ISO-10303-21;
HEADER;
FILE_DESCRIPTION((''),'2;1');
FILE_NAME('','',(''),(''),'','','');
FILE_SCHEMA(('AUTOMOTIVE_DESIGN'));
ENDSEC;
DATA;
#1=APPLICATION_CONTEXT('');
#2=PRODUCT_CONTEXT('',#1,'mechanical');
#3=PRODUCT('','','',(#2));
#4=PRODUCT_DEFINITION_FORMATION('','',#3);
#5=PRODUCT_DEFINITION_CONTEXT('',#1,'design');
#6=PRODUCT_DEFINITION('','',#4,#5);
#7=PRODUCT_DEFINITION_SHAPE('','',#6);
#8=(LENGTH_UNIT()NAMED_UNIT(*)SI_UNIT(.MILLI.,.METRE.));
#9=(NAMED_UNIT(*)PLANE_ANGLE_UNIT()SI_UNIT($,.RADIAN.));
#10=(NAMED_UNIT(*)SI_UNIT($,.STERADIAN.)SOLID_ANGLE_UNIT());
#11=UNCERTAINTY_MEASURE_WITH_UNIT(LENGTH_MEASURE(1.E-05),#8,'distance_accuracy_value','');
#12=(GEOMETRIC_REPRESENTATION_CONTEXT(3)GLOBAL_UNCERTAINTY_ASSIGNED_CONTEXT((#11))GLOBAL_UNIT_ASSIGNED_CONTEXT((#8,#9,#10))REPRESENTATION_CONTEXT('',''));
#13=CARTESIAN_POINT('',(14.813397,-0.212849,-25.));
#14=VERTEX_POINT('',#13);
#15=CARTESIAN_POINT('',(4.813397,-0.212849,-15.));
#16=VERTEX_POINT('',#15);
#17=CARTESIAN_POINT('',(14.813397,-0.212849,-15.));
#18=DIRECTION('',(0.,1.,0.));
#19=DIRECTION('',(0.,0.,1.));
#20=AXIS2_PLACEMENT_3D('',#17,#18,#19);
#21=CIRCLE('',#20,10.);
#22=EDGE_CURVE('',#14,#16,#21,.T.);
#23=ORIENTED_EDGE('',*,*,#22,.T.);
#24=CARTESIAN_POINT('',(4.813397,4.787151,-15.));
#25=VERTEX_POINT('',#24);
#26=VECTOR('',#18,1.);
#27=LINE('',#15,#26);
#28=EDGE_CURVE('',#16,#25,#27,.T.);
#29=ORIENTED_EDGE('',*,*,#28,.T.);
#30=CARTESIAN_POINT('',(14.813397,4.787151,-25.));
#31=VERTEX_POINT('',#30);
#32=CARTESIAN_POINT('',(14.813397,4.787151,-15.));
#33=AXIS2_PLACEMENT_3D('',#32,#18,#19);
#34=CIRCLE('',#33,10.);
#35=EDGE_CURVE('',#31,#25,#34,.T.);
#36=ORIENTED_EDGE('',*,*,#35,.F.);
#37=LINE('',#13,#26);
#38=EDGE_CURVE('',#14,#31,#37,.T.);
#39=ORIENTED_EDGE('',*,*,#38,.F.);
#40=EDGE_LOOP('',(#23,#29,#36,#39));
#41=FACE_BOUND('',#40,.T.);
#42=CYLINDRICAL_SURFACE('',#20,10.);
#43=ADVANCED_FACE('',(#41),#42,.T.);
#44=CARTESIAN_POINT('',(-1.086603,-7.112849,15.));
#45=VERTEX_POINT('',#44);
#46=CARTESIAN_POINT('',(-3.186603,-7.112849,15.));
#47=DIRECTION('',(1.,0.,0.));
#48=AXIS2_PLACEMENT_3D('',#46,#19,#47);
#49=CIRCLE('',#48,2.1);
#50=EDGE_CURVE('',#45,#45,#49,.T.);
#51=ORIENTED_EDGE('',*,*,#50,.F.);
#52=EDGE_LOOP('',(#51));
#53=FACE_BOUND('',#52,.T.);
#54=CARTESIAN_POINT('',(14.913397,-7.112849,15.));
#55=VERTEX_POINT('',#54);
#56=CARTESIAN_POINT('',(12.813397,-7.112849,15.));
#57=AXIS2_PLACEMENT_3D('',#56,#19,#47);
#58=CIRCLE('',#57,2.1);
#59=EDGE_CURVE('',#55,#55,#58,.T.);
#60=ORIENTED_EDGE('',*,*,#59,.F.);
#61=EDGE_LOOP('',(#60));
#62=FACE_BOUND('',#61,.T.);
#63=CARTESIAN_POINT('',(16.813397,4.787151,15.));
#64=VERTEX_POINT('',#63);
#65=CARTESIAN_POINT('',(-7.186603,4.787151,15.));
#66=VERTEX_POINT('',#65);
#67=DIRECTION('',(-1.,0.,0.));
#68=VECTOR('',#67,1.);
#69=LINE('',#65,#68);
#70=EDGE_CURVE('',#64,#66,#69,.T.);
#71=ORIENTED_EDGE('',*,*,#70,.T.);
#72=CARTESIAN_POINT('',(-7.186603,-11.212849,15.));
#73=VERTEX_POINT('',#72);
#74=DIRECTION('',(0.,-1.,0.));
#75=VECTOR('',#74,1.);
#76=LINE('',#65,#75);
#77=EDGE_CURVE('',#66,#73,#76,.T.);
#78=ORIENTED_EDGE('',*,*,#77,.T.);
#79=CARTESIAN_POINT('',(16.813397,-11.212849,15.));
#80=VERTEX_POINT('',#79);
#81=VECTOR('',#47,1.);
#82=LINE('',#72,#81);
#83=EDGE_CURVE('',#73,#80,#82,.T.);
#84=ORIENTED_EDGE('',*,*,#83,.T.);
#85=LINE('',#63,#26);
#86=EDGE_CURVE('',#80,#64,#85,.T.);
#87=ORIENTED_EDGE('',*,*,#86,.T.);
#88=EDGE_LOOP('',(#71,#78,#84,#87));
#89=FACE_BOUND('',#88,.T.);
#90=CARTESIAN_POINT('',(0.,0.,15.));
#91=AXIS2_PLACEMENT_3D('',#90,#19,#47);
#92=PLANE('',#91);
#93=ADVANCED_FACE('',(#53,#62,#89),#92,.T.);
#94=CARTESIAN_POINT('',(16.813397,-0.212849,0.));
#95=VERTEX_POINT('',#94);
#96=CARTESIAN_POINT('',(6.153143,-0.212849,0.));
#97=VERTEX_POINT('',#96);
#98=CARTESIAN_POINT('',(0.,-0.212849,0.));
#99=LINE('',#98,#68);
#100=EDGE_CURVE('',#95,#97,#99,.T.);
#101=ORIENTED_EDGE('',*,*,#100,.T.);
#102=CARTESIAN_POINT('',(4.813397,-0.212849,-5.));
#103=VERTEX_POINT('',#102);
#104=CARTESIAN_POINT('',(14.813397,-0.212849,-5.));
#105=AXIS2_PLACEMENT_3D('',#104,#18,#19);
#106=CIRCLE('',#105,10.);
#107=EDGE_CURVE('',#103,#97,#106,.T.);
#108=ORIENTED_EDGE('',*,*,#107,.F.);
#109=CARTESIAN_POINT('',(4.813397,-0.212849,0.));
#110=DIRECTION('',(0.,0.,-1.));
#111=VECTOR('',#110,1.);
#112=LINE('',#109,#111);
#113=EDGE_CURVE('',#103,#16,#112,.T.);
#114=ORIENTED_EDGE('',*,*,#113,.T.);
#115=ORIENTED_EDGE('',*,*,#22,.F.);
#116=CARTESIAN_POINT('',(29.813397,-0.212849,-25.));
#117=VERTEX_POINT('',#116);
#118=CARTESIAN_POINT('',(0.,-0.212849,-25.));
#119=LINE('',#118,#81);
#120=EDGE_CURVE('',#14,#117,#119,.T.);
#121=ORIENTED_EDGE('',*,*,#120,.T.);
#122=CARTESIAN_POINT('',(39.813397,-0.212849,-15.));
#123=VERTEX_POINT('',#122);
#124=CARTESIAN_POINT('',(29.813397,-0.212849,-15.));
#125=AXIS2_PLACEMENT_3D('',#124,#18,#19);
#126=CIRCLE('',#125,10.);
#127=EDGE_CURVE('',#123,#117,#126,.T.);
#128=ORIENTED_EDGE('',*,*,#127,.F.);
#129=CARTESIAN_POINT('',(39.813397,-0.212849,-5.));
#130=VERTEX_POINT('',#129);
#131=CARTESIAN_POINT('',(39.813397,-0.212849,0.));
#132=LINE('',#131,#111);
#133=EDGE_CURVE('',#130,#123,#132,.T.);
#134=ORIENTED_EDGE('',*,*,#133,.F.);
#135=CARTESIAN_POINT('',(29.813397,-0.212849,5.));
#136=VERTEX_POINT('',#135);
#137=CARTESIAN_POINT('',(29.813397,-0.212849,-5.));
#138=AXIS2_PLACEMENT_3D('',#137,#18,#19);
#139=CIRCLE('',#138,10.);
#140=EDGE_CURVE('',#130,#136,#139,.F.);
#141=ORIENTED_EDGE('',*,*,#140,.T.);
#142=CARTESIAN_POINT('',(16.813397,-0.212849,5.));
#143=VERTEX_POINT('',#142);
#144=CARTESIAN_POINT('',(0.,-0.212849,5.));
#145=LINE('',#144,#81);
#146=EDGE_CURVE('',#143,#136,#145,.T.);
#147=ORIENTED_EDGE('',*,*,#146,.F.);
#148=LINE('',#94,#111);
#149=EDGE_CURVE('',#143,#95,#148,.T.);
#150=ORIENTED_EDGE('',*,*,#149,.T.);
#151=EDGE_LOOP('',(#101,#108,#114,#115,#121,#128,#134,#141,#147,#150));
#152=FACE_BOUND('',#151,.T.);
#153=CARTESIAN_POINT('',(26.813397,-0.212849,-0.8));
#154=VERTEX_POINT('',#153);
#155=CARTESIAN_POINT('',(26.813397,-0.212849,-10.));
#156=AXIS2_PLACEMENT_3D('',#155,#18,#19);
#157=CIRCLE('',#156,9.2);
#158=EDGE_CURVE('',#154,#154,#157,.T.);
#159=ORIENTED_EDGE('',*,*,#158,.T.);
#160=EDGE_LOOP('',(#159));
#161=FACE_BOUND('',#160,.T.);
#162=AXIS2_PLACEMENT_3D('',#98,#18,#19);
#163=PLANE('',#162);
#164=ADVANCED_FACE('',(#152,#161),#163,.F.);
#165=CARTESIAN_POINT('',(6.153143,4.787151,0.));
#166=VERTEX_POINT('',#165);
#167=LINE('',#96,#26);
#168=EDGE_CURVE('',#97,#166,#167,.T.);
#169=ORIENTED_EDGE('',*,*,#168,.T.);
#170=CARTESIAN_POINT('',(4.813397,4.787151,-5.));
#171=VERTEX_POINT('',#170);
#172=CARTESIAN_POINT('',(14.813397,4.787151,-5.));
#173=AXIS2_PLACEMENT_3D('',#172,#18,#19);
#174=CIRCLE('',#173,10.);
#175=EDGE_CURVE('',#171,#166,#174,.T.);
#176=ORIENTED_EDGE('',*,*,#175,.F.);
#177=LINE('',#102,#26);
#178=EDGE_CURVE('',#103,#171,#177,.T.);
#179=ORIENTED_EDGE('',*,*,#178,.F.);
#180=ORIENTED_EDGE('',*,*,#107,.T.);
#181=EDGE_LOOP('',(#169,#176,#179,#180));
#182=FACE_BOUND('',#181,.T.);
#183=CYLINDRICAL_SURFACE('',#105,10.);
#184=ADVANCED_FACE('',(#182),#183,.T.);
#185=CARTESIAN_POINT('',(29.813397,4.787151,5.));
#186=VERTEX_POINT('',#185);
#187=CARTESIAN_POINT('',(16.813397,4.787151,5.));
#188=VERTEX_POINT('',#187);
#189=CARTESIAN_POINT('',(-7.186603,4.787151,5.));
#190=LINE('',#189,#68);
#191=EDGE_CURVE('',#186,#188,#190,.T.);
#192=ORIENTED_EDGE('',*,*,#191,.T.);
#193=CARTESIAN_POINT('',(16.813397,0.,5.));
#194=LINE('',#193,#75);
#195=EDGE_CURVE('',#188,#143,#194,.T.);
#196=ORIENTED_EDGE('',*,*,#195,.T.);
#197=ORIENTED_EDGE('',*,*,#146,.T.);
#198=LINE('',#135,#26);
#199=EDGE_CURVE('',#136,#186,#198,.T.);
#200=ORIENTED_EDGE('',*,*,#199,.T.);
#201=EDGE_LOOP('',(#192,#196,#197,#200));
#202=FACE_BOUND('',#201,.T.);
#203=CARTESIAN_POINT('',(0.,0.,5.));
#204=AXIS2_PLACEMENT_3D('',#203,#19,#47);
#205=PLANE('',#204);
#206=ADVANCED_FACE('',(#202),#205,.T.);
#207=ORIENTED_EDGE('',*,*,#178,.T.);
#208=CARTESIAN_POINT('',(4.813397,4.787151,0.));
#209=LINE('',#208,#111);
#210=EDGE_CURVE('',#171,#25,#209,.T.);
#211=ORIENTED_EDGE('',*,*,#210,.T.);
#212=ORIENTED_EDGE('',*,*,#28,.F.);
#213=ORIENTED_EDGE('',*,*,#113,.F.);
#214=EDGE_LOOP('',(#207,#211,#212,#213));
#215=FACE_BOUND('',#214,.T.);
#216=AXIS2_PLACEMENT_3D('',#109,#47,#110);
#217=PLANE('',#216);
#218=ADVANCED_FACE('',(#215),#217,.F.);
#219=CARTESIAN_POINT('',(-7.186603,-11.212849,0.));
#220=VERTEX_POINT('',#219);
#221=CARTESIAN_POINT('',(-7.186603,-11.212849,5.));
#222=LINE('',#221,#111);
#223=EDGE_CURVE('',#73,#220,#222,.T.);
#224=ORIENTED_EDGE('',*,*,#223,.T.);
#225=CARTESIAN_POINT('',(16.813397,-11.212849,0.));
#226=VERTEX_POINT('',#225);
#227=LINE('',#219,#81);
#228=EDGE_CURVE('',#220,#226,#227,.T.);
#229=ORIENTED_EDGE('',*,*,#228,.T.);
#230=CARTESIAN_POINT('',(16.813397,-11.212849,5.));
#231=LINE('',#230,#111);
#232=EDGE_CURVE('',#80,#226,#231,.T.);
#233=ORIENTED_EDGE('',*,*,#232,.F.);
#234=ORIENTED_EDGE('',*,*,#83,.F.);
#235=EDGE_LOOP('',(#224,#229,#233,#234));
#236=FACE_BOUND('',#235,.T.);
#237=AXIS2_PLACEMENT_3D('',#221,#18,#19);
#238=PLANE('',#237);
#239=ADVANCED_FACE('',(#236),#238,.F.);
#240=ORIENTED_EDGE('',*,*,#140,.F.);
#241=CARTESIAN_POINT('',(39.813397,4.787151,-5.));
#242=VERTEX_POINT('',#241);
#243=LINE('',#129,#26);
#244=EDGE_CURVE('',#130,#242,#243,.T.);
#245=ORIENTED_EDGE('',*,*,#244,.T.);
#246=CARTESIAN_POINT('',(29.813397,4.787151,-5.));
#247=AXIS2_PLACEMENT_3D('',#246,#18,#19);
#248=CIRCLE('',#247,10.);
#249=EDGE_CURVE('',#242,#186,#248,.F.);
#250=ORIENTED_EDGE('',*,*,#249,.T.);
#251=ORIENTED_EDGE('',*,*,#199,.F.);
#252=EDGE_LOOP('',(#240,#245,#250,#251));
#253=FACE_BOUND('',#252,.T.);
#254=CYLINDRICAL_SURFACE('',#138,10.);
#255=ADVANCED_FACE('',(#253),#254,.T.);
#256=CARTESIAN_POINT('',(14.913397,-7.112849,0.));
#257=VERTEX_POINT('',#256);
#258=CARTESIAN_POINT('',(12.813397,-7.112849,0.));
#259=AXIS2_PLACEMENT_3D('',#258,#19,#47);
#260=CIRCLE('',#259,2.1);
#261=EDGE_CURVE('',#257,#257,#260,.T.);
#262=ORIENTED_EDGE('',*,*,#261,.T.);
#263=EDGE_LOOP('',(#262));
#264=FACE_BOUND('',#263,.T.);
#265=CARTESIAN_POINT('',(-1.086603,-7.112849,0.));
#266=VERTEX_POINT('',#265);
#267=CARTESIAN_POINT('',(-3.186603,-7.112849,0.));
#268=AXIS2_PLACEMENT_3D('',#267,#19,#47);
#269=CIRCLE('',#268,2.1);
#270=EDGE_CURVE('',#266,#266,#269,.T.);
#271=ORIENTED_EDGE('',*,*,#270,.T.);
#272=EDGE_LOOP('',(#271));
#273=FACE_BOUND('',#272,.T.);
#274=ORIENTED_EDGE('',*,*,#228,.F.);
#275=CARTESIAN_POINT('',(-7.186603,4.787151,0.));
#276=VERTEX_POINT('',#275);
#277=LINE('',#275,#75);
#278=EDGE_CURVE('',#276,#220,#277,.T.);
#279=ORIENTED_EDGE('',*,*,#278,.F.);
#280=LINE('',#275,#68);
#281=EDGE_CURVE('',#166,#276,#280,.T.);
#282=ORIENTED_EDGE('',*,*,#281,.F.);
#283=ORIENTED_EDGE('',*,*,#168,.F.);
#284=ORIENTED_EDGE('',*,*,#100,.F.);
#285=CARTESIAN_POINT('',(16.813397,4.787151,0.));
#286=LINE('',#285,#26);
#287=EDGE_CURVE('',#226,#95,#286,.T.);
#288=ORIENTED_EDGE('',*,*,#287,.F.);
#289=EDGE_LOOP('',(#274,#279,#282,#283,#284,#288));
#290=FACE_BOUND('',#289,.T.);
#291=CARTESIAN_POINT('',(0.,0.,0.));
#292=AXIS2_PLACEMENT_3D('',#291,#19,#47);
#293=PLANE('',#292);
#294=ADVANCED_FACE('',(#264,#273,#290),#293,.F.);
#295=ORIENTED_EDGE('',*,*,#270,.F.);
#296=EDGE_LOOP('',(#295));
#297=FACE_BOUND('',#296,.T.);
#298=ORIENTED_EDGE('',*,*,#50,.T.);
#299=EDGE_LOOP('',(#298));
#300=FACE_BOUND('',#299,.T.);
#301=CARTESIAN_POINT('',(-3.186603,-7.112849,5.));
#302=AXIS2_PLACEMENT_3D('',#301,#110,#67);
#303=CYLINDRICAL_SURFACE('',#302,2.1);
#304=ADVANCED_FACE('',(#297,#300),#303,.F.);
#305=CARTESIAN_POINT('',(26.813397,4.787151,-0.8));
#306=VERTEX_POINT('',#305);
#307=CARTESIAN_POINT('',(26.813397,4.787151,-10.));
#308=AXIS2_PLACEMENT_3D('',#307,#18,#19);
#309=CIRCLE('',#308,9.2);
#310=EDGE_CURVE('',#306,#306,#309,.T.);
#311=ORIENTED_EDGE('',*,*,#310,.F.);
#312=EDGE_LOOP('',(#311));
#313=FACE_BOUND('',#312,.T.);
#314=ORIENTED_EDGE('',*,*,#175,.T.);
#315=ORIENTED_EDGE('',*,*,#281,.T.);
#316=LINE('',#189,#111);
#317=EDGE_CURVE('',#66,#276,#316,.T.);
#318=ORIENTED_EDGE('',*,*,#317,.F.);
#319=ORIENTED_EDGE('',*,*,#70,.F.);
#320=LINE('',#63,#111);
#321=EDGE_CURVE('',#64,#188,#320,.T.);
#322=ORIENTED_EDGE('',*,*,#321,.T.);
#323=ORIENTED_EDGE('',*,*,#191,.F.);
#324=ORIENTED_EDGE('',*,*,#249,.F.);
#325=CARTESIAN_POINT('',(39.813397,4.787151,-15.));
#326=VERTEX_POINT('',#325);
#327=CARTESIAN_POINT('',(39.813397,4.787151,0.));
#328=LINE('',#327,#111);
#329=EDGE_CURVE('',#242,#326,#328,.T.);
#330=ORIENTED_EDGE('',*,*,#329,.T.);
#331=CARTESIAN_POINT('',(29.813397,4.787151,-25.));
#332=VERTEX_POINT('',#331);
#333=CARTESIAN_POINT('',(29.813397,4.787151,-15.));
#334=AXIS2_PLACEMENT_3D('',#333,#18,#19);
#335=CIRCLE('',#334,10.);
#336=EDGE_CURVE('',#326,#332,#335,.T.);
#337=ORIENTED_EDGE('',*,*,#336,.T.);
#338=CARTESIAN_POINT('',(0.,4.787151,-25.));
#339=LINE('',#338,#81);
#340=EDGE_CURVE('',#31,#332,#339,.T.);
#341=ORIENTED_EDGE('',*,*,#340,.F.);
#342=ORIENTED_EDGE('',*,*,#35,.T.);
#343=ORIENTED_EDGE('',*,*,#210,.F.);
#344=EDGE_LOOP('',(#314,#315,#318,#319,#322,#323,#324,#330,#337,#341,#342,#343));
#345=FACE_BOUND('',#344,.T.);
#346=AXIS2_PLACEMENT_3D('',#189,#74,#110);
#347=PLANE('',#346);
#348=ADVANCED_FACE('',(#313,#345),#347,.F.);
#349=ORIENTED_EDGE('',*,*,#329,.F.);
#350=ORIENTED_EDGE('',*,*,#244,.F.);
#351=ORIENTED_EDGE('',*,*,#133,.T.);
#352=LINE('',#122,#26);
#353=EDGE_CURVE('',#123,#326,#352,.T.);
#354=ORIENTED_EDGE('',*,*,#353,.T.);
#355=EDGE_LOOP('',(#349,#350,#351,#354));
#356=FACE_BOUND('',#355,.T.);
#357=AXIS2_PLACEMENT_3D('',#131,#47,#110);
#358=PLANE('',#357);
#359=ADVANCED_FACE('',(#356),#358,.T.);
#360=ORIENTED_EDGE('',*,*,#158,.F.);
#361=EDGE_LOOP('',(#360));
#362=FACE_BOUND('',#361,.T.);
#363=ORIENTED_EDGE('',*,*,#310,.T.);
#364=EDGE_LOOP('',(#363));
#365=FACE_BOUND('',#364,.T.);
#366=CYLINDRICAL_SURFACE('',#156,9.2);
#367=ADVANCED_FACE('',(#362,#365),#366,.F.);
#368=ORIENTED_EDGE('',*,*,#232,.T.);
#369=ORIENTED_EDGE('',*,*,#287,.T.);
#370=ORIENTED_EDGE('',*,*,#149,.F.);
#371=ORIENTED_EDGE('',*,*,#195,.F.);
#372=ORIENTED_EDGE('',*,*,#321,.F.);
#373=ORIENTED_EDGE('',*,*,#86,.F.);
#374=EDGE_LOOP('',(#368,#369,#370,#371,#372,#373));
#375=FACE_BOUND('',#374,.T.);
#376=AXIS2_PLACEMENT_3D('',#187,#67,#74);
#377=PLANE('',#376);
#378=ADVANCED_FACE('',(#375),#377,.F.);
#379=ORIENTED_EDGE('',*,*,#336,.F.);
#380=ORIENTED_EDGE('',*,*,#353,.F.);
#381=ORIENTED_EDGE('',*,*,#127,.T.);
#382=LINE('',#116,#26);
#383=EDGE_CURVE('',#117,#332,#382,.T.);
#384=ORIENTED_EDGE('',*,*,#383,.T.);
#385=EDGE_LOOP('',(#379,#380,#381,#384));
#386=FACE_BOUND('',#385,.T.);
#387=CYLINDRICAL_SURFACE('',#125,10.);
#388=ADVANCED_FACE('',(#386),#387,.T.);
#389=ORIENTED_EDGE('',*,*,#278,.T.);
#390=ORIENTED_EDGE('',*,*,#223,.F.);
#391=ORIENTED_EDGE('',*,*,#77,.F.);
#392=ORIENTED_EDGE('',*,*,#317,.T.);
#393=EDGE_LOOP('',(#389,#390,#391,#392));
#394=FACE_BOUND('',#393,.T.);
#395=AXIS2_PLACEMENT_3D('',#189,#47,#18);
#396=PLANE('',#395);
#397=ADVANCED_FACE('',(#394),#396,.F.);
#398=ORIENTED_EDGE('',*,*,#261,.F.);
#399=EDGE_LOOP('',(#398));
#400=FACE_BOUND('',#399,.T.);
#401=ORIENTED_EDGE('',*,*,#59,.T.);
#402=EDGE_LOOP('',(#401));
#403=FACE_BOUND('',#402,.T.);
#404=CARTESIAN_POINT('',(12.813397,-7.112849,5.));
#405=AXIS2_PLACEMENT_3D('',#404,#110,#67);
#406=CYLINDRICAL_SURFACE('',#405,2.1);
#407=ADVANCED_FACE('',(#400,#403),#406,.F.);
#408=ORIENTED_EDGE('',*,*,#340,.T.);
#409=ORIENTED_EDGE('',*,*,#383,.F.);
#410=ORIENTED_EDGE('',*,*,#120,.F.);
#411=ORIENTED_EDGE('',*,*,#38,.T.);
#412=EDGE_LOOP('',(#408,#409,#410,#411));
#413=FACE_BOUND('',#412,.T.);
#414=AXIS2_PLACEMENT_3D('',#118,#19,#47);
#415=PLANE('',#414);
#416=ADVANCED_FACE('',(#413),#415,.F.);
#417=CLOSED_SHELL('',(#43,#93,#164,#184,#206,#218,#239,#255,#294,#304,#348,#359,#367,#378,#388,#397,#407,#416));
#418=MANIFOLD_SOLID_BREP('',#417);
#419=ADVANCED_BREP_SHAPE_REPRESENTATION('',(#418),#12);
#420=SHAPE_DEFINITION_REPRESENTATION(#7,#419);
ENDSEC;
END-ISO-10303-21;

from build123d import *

# Parameters (mm, degrees)
SKIZZE1_W                       = 24
SKIZZE1_H                       = 16
SKIZZE1_R                       = 2.1
AUFSATZ_LINEAR_AUSTRAGEN2_DEPTH = 5
AUFSATZ_LINEAR_AUSTRAGEN6_DEPTH = 5
SKIZZE1_4_W                     = 24
SKIZZE1_4_H                     = 16
SKIZZE1_4_R                     = 2.1
AUFSATZ_LINEAR_AUSTRAGEN8_DEPTH = 15


with BuildPart() as part:
    # Skizze1 → Aufsatz-Linear austragen2 (new body)
    with BuildSketch(Plane.XY):
        with Locations((4.813396795, -3.212849162)):
            Rectangle(SKIZZE1_W, SKIZZE1_H)
        with Locations((-3.186603205, -7.112849162)):
            Circle(SKIZZE1_R, mode=Mode.SUBTRACT)
        with Locations((12.813396795, -7.112849162)):
            Circle(SKIZZE1_R, mode=Mode.SUBTRACT)
    extrude(amount=AUFSATZ_LINEAR_AUSTRAGEN2_DEPTH)

    # Skizze12 → Aufsatz-Linear austragen6 (add)
    with BuildSketch(Plane(origin=(0, 4.787150838, 0), x_dir=(1, 0, 0), z_dir=(0, 1, 0))):
        with BuildLine():
            Line((16.813396795, 0), (16.813396795, -5))
            Line((16.813396795, -5), (21.813396795, -5))
            Line((21.813396795, -5), (26.813396795, -5))
            Line((26.813396795, -5), (29.813396795, -5))
            ThreePointArc((29.813396795, -5), (36.884464607, -2.071067812), (39.813396795, 5))
            Line((39.813396795, 5), (39.813396795, 15))
            ThreePointArc((39.813396795, 15), (36.884464607, 22.071067812), (29.813396795, 25))
            Line((29.813396795, 25), (14.813396795, 25))
            ThreePointArc((14.813396795, 25), (7.742328983, 22.071067812), (4.813396795, 15))
            Line((4.813396795, 15), (4.813396795, 5))
            ThreePointArc((4.813396795, 5), (5.154138532, 2.411809549), (6.153142757, 0))
            Line((6.153142757, 0), (16.813396795, 0))
        make_face()
        with BuildLine():
            ThreePointArc((36.013396795, 10), (33.318779182, 3.494617613), (26.813396795, 0.8))
            ThreePointArc((26.813396795, 0.8), (20.308014408, 16.505382387), (36.013396795, 10))
        make_face(mode=Mode.SUBTRACT)
    extrude(amount=-AUFSATZ_LINEAR_AUSTRAGEN6_DEPTH)

    # Skizze1<4> → Aufsatz-Linear austragen8 (add)
    with BuildSketch(Plane.XY):
        with Locations((4.813396795, -3.212849162)):
            Rectangle(SKIZZE1_4_W, SKIZZE1_4_H)
        with Locations((-3.186603205, -7.112849162)):
            Circle(SKIZZE1_4_R, mode=Mode.SUBTRACT)
        with Locations((12.813396795, -7.112849162)):
            Circle(SKIZZE1_4_R, mode=Mode.SUBTRACT)
    extrude(amount=AUFSATZ_LINEAR_AUSTRAGEN8_DEPTH)


solid = part.part
